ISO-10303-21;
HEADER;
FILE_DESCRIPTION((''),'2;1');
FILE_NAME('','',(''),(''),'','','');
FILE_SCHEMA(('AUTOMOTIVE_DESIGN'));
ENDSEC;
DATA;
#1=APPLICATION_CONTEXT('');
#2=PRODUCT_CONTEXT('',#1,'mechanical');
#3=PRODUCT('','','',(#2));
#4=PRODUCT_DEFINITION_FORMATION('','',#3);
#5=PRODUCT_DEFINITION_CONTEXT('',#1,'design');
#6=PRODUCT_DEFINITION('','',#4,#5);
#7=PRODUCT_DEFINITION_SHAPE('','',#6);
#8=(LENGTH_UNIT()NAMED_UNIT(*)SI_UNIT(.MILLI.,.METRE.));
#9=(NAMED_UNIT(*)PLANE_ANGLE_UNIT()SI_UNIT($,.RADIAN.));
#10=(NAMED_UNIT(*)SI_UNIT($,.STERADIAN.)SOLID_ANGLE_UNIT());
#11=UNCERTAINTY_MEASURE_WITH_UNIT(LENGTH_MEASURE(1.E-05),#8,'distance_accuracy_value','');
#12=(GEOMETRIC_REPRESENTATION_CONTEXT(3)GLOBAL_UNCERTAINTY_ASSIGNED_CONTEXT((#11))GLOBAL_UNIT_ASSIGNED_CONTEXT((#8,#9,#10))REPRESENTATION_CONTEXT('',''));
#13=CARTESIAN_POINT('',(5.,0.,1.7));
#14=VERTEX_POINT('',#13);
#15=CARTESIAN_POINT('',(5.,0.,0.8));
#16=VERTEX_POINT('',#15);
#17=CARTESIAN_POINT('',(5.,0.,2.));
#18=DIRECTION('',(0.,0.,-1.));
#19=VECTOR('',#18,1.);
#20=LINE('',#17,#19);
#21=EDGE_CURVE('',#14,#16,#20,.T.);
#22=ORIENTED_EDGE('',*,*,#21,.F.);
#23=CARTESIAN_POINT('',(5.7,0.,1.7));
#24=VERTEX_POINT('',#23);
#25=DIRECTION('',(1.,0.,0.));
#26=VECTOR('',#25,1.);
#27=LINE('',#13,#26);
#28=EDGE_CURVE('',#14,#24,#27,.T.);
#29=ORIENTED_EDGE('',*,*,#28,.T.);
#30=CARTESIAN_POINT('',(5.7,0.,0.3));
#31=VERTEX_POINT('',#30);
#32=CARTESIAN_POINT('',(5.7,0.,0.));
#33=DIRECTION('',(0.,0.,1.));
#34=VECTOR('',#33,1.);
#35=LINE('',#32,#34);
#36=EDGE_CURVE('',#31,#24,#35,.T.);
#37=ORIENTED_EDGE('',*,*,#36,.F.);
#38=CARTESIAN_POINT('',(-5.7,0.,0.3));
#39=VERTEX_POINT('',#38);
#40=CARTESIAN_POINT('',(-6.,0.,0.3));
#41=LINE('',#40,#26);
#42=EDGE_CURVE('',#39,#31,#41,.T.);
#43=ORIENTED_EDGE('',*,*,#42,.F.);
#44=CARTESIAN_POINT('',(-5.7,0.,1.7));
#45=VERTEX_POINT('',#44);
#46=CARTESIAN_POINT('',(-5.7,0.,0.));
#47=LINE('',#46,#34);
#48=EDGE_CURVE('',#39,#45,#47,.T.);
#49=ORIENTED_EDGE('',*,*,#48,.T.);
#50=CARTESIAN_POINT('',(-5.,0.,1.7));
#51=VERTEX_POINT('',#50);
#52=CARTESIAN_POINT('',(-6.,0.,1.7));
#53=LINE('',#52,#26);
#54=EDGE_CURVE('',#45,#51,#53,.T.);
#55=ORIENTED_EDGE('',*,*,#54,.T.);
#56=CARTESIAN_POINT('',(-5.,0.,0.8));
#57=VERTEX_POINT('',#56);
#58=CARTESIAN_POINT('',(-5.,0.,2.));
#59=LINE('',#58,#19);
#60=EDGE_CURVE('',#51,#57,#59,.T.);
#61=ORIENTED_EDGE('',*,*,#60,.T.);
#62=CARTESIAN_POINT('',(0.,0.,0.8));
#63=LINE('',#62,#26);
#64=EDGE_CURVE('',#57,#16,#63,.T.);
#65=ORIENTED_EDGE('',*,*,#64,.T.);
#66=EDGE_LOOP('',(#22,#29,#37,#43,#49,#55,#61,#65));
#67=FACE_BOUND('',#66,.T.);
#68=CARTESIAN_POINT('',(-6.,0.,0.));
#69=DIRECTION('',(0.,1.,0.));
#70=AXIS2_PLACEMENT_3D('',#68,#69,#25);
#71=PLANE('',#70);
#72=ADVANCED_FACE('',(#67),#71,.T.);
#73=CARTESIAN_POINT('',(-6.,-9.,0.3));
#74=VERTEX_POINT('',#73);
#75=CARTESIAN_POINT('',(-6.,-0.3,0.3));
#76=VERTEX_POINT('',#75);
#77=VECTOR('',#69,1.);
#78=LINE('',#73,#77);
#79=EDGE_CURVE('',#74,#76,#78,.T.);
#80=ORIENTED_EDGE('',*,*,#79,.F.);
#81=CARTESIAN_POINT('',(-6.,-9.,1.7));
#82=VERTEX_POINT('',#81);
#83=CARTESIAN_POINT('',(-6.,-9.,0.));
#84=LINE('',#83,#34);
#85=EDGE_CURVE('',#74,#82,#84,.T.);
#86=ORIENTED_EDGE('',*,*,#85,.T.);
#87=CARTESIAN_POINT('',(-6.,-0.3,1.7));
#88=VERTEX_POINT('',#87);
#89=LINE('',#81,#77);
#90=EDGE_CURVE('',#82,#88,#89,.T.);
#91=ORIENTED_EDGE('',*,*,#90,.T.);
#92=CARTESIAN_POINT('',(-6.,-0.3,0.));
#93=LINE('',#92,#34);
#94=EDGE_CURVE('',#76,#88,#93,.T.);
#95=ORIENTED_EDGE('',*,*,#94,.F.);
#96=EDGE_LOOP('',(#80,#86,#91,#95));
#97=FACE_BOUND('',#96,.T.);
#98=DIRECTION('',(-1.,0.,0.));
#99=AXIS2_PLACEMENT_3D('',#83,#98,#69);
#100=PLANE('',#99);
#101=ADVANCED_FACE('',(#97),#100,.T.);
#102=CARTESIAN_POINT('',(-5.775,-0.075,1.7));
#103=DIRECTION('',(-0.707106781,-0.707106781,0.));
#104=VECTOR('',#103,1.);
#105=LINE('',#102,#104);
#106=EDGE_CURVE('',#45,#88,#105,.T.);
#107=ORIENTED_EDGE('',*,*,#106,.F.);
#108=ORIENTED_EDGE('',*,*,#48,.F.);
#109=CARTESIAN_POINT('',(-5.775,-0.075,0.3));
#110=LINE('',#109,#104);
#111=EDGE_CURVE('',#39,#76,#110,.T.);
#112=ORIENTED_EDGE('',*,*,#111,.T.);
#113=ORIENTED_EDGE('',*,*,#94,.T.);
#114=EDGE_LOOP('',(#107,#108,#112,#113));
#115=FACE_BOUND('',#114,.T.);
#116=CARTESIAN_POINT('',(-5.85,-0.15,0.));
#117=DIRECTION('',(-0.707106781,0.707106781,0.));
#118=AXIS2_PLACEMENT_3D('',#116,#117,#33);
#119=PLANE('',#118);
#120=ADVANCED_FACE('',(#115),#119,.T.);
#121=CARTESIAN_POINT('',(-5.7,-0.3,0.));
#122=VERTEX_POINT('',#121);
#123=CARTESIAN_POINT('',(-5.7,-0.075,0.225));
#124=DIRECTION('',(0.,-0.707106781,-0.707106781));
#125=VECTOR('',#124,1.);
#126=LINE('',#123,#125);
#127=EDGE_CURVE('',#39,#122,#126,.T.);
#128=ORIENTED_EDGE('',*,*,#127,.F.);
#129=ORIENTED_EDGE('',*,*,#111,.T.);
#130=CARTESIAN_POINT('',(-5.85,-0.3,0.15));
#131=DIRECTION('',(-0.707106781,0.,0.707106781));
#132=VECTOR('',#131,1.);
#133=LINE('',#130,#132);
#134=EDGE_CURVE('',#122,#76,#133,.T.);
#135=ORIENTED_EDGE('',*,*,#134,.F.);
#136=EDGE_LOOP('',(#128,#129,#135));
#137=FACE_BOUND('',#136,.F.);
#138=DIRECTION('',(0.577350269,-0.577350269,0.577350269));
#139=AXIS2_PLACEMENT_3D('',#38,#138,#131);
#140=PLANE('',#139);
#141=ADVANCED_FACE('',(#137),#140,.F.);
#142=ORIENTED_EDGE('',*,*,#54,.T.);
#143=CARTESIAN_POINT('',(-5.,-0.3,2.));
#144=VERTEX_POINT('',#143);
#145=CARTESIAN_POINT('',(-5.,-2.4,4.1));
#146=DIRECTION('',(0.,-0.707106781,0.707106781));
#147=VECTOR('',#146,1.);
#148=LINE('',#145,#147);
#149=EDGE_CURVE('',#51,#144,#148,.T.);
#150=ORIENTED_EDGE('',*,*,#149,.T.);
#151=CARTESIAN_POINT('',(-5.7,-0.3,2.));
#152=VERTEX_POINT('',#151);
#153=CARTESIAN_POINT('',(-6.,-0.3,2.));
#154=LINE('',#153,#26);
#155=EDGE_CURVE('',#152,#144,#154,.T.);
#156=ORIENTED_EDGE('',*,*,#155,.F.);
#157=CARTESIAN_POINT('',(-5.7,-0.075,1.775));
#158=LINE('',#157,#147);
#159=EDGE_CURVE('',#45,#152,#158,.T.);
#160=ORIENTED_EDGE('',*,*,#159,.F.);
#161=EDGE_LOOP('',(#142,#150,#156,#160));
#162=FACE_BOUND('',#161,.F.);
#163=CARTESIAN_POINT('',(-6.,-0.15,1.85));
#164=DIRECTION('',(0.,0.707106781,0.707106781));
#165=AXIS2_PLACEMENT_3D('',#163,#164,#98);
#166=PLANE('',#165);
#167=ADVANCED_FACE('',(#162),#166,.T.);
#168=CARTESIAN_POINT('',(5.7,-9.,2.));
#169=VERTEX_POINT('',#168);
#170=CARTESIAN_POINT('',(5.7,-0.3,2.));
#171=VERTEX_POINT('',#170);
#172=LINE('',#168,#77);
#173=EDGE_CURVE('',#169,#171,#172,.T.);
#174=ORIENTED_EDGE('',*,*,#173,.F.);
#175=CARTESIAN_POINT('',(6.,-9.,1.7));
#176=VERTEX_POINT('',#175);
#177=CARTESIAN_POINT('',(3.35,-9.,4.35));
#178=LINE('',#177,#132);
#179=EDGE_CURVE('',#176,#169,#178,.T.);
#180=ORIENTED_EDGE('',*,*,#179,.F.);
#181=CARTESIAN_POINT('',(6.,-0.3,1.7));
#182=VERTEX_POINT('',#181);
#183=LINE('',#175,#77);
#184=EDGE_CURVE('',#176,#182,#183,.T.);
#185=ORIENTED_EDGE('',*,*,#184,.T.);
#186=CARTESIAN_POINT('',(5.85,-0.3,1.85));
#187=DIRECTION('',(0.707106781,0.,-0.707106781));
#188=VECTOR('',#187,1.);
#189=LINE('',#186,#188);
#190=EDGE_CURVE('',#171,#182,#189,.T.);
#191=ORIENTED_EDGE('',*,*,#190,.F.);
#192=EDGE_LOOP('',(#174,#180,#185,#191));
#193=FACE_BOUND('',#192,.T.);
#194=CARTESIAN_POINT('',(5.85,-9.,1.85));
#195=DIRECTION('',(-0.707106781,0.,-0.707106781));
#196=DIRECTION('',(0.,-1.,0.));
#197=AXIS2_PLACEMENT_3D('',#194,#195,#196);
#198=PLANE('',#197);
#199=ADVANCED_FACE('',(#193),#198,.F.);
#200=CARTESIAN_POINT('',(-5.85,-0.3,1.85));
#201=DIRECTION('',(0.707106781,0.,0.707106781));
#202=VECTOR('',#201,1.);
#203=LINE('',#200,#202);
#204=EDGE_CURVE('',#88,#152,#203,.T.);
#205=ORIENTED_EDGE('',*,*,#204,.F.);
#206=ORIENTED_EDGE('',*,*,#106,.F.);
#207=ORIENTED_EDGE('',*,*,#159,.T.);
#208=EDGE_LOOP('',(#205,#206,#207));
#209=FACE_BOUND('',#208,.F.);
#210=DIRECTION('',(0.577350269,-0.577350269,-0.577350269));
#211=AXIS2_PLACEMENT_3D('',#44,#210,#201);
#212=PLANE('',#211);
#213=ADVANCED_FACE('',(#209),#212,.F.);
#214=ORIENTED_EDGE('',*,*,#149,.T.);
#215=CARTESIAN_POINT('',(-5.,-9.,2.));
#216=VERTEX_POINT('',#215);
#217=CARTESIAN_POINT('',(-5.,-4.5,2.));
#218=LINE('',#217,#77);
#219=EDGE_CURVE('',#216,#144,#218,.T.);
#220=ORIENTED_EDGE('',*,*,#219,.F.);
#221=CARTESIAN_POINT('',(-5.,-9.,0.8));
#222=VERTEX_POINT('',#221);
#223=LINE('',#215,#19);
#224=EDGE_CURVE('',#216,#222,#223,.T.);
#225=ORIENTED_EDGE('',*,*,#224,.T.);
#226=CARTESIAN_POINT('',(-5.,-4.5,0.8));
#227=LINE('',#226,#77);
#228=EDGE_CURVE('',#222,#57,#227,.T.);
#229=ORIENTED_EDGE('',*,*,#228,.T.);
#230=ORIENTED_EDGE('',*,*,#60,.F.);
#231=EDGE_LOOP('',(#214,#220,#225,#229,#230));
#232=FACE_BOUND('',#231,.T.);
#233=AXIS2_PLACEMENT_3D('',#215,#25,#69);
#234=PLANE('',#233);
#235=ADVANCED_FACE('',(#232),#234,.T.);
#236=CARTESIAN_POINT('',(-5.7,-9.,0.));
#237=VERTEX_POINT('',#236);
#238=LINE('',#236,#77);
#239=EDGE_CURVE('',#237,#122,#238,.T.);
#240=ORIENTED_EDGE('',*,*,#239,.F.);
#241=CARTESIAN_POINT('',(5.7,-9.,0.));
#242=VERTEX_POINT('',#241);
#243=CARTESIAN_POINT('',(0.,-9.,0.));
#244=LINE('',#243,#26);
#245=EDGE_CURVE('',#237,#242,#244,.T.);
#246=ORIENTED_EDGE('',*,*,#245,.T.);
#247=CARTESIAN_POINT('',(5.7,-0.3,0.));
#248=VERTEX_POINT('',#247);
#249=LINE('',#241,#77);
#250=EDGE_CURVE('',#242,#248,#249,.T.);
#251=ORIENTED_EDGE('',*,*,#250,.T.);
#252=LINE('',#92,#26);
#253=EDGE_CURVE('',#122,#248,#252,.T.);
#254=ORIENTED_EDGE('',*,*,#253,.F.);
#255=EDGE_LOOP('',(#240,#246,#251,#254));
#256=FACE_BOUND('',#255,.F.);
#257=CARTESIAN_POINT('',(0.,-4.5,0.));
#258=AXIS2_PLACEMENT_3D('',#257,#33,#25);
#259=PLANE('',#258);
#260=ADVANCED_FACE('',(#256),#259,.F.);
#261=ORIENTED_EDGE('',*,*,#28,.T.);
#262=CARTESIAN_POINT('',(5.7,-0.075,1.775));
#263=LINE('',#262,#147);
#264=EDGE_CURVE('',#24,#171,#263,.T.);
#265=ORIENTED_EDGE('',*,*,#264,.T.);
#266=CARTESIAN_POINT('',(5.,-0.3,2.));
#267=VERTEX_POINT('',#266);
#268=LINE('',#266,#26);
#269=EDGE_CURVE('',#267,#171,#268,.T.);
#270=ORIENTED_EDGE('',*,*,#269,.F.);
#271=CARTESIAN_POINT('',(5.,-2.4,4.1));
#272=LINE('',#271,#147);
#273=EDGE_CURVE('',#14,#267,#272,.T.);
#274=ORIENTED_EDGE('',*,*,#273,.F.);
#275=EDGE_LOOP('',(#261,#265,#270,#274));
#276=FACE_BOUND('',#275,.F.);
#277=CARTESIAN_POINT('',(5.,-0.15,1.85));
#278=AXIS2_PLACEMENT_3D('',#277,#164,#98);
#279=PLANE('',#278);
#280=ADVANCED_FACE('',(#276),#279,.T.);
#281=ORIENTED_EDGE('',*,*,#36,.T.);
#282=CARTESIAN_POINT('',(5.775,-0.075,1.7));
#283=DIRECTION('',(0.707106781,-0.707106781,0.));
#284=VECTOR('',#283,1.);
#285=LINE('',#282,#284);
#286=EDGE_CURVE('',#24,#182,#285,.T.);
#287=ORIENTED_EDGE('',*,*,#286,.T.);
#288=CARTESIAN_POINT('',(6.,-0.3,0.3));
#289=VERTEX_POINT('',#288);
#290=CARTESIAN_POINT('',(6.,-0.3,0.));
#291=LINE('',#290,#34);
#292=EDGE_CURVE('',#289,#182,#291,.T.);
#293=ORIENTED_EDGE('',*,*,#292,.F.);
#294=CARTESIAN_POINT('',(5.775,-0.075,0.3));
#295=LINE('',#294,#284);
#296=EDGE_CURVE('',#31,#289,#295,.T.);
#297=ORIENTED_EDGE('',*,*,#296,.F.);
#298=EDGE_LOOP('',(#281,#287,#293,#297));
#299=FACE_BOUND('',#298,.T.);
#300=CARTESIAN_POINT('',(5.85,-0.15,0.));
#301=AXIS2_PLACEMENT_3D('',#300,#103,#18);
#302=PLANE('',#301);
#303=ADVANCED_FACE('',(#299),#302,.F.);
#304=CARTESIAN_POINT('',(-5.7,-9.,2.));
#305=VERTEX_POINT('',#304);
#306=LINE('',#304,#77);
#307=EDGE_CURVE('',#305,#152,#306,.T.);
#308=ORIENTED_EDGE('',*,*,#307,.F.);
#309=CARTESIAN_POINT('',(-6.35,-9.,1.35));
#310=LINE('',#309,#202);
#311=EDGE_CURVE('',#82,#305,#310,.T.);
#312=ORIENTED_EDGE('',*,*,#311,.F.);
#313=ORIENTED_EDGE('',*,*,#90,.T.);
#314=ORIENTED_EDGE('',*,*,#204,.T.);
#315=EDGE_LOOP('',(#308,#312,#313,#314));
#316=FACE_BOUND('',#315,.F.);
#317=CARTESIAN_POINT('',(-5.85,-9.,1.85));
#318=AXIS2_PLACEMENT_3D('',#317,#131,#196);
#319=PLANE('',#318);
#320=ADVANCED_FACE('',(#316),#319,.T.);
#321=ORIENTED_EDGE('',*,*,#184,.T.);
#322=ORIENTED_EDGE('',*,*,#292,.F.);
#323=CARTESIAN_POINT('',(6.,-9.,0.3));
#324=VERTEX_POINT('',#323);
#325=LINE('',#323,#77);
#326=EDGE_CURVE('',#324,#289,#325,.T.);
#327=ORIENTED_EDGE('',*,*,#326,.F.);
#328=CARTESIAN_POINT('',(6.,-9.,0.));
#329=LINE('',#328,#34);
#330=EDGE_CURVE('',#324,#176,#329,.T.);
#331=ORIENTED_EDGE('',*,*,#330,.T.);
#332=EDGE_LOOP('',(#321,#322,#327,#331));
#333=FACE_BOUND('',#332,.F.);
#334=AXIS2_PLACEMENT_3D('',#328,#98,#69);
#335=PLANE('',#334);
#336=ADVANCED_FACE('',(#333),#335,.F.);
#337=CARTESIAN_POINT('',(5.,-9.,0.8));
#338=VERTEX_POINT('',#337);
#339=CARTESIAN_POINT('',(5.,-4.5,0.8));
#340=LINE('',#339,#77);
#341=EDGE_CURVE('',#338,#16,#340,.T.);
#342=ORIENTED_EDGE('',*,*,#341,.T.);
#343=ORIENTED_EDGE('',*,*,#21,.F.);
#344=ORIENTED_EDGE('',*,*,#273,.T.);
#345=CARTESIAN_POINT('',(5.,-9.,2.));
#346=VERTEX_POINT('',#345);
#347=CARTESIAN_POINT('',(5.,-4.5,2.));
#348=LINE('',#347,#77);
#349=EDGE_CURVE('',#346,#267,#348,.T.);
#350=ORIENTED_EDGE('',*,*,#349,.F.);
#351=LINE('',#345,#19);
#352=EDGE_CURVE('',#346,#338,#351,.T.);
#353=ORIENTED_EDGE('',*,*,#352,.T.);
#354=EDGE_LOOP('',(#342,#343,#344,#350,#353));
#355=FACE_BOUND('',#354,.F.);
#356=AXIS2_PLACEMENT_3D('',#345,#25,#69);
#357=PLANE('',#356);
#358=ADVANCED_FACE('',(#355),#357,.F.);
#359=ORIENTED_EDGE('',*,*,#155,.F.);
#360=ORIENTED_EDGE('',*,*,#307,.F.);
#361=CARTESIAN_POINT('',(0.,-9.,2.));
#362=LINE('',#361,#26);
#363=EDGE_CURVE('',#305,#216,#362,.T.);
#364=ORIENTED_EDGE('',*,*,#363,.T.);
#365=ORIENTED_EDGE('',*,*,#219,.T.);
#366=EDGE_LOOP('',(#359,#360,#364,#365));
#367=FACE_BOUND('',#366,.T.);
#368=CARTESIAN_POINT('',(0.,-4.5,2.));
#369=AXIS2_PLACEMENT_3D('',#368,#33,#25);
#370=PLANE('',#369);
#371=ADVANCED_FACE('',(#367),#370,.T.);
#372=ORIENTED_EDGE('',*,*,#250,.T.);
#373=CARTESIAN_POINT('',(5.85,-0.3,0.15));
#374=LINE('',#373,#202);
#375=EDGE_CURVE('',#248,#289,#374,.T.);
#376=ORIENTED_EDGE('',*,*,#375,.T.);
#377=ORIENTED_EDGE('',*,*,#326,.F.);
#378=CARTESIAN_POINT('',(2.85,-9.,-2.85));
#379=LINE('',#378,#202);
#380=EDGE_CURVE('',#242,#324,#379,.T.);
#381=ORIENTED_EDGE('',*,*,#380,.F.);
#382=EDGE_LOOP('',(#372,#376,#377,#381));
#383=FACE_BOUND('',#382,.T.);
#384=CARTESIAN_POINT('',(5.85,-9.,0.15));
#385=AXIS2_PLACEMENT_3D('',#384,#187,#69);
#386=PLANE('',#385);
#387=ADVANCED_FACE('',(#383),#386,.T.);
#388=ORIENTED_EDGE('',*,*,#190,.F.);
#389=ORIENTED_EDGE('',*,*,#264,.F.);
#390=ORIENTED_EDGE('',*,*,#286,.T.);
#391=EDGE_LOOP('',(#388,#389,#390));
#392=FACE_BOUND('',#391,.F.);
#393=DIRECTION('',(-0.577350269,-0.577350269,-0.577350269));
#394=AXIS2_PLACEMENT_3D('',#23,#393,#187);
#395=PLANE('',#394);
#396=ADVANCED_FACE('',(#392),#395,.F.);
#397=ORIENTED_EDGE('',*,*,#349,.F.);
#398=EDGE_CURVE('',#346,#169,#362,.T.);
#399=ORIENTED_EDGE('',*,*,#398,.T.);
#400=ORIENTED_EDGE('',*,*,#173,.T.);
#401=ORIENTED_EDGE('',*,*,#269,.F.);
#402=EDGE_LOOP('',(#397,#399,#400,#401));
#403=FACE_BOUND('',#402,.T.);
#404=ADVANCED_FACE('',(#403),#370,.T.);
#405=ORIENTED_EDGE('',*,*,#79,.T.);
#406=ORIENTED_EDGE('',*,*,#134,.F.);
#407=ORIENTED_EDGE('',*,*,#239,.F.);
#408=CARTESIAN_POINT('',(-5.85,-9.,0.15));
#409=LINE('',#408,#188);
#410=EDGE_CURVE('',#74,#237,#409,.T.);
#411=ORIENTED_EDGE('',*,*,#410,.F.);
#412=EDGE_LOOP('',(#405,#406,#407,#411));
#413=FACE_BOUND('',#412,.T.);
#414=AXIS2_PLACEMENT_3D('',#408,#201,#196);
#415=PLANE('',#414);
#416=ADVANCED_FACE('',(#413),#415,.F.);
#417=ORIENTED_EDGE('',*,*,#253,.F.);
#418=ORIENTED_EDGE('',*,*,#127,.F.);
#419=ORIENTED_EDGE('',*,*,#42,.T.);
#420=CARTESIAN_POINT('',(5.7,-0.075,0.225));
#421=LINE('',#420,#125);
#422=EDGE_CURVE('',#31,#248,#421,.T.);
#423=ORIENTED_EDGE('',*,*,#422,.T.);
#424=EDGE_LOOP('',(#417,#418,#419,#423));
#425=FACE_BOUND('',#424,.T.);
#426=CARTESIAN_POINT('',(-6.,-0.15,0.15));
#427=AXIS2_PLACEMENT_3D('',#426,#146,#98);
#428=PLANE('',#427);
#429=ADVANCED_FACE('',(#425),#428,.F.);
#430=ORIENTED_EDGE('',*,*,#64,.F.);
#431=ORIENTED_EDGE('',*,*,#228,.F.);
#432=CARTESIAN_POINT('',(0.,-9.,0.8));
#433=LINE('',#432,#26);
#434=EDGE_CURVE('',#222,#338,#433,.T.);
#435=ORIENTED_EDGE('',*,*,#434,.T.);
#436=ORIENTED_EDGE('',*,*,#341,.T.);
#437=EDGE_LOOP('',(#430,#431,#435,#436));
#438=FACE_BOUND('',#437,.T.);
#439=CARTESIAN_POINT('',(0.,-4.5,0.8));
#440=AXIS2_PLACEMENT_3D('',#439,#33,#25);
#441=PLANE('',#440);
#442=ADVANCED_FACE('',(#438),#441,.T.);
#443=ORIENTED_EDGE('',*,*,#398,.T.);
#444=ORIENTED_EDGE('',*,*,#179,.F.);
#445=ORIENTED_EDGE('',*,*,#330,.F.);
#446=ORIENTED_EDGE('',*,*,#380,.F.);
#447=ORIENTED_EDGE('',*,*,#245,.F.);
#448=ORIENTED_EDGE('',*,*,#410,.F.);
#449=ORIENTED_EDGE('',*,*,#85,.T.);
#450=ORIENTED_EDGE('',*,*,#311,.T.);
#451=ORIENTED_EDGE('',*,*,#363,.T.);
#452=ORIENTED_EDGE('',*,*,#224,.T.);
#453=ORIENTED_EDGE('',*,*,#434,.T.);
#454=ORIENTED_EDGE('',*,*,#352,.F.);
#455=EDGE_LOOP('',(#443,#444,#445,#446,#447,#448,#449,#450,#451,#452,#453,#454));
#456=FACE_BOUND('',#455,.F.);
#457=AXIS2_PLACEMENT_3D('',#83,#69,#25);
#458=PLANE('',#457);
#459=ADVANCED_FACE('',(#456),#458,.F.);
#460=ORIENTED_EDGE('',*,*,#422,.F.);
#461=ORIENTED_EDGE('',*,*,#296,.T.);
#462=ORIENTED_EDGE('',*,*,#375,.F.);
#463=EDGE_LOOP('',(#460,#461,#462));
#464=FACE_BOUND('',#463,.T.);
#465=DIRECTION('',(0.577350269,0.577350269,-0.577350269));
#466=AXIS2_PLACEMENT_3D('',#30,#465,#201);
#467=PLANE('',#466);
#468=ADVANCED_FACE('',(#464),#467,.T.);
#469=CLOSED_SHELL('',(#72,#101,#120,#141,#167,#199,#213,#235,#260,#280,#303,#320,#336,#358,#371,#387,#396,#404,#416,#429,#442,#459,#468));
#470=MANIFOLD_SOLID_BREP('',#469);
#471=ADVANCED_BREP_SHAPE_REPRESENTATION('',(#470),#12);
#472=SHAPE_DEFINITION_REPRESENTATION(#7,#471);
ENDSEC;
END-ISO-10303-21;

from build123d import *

# Parameters (mm, degrees)
F0_W     = 12
F0_H     = 9
F1_DEPTH = 2
F2_W     = 10
F2_H     = 9
F3_DEPTH = 1.2
F4_SIZE  = 0.3


with BuildPart() as f1:
    # F0 (on Top) → F1 (new body)
    with BuildSketch(Plane.XY):
        with Locations((0, -4.5)):
            Rectangle(F0_W, F0_H)
    extrude(amount=F1_DEPTH)

    # F2 (on face) → F3 (cut)
    with BuildSketch(Plane.XY.offset(2)):
        with Locations((0, -4.5)):
            Rectangle(F2_W, F2_H)
    extrude(amount=-F3_DEPTH, mode=Mode.SUBTRACT)

    # F4
    f4_edges = [f1.edges().sort_by_distance(p)[0] for p in [
        (-6, -4.5, 2),
        (6, -4.5, 2),
        (6, -4.5, 0),
        (-6, -4.5, 0),
        (0, 0, 0),
        (-6, 0, 1),
        (-5.5, 0, 2),
        (5.5, 0, 2),
        (6, 0, 1),
    ]]
    chamfer(f4_edges, length=F4_SIZE)


solid = f1.part
